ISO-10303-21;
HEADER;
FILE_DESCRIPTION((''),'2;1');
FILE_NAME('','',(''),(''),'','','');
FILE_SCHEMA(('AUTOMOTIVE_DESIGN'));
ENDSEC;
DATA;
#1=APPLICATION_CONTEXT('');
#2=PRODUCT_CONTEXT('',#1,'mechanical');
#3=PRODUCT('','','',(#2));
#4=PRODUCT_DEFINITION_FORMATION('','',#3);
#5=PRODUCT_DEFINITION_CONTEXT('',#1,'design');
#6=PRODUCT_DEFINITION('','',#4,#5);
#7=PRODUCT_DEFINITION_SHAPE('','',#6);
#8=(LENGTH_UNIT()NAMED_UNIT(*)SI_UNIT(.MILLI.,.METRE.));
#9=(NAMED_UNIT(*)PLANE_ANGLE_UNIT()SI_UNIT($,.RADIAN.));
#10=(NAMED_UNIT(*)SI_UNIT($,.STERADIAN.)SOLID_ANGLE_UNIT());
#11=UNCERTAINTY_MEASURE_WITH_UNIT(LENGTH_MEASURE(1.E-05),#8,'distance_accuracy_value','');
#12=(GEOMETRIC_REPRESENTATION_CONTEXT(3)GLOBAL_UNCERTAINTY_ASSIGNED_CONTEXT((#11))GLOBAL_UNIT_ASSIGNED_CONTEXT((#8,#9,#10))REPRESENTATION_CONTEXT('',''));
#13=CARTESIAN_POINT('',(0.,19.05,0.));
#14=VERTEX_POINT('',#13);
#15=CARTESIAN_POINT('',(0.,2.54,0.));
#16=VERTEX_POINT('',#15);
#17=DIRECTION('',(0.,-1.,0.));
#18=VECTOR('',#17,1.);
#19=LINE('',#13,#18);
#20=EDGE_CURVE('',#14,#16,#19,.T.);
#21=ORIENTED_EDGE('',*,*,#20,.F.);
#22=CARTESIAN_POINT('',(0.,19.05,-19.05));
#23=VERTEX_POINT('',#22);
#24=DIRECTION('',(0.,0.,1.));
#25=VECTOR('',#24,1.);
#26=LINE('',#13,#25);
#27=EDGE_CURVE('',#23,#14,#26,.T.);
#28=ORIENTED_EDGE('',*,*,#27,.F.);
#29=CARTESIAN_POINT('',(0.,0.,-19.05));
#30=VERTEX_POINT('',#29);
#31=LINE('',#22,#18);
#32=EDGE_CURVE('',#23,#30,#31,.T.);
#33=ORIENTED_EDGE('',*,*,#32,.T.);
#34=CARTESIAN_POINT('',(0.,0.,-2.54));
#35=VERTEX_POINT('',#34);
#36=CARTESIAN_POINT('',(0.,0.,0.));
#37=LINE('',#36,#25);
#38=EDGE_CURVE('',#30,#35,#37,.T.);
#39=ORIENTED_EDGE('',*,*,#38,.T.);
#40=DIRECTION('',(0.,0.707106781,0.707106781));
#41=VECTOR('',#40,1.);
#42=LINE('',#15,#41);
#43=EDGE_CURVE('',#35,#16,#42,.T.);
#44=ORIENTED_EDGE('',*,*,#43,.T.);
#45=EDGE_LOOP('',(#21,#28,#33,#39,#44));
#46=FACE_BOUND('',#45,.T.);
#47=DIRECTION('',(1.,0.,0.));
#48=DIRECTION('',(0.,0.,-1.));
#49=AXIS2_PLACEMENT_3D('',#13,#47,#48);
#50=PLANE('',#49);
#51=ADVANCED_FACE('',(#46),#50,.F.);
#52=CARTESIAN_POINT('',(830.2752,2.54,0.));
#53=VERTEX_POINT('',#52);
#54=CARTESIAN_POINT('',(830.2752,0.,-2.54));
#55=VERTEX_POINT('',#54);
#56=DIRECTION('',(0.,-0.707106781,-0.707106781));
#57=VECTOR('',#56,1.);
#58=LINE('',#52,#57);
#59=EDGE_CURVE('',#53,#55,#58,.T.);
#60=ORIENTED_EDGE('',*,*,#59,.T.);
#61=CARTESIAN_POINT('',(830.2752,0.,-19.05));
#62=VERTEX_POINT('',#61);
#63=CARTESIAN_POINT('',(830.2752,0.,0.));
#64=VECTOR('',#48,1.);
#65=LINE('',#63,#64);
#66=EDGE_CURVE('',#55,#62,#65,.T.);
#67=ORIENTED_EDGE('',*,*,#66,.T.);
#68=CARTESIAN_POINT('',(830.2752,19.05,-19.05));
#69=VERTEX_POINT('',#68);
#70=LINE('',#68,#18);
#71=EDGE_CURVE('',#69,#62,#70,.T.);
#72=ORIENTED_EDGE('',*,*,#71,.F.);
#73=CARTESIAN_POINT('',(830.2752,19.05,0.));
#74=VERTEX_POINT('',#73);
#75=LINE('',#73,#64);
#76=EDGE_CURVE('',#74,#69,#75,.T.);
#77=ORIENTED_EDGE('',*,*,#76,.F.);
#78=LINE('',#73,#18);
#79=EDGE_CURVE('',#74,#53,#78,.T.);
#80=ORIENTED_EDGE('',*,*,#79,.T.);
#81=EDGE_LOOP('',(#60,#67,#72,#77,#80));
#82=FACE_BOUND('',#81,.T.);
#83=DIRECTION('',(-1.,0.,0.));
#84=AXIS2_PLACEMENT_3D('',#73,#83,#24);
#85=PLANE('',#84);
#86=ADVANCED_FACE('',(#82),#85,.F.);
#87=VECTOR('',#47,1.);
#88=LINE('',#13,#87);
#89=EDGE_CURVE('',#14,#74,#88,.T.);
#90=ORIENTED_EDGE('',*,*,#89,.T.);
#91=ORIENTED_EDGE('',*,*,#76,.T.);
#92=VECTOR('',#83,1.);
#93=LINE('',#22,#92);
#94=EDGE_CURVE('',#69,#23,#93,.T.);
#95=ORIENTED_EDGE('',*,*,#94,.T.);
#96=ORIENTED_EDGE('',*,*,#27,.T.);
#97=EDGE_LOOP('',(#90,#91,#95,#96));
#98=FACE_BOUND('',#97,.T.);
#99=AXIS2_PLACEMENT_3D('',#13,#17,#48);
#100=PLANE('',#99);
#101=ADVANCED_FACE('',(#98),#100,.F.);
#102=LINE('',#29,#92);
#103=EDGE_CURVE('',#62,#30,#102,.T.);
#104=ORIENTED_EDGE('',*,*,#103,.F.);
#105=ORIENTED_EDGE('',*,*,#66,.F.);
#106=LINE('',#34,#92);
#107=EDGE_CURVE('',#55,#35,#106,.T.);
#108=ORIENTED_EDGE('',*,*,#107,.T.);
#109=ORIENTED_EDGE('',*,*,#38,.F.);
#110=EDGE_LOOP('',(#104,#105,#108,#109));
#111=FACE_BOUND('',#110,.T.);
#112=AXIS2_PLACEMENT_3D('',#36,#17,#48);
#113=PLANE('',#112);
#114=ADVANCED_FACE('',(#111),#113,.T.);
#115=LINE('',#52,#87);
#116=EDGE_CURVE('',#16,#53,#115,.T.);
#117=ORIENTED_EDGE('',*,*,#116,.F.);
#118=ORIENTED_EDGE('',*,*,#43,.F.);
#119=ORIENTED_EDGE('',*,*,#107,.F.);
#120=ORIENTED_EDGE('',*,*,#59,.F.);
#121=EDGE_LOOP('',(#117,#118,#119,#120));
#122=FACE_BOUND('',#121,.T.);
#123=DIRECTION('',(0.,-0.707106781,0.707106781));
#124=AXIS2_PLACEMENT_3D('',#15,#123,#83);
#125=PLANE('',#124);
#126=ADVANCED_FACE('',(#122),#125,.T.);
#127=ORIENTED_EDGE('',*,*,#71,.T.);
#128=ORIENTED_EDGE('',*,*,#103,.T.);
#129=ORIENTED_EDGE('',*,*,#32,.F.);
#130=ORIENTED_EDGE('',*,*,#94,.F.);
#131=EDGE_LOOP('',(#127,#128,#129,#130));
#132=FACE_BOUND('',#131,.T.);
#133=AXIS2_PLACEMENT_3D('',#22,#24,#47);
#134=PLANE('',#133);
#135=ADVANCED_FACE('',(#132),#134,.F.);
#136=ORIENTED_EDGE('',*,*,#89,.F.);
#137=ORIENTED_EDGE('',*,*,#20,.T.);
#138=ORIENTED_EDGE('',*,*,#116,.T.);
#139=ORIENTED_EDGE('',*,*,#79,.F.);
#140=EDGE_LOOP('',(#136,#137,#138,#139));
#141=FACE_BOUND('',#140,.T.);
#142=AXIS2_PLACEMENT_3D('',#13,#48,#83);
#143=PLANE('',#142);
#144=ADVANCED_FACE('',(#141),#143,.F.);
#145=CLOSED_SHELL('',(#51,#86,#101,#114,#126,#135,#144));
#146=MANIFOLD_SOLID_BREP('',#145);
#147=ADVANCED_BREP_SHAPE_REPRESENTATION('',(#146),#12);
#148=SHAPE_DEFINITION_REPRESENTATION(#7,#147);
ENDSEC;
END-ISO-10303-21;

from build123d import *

# Parameters (mm, degrees)
SKETCH1_W           = 830.2752
SKETCH1_H           = 19.05
BOSS_EXTRUDE1_DEPTH = 19.05
CHAMFER1_SIZE       = 2.54


with BuildPart() as part:
    # Sketch1 → Boss-Extrude1 (new body)
    with BuildSketch(Plane(origin=(0, 0, 0), x_dir=(1, 0, 0), z_dir=(0, 1, 0))):
        with Locations((415.1376, 9.525)):
            Rectangle(SKETCH1_W, SKETCH1_H)
    extrude(amount=BOSS_EXTRUDE1_DEPTH)

    # Chamfer1
    chamfer1_edges = [part.edges().sort_by_distance(p)[0] for p in [
        (415.1376, 0, 0),
    ]]
    chamfer(chamfer1_edges, length=CHAMFER1_SIZE)


solid = part.part
